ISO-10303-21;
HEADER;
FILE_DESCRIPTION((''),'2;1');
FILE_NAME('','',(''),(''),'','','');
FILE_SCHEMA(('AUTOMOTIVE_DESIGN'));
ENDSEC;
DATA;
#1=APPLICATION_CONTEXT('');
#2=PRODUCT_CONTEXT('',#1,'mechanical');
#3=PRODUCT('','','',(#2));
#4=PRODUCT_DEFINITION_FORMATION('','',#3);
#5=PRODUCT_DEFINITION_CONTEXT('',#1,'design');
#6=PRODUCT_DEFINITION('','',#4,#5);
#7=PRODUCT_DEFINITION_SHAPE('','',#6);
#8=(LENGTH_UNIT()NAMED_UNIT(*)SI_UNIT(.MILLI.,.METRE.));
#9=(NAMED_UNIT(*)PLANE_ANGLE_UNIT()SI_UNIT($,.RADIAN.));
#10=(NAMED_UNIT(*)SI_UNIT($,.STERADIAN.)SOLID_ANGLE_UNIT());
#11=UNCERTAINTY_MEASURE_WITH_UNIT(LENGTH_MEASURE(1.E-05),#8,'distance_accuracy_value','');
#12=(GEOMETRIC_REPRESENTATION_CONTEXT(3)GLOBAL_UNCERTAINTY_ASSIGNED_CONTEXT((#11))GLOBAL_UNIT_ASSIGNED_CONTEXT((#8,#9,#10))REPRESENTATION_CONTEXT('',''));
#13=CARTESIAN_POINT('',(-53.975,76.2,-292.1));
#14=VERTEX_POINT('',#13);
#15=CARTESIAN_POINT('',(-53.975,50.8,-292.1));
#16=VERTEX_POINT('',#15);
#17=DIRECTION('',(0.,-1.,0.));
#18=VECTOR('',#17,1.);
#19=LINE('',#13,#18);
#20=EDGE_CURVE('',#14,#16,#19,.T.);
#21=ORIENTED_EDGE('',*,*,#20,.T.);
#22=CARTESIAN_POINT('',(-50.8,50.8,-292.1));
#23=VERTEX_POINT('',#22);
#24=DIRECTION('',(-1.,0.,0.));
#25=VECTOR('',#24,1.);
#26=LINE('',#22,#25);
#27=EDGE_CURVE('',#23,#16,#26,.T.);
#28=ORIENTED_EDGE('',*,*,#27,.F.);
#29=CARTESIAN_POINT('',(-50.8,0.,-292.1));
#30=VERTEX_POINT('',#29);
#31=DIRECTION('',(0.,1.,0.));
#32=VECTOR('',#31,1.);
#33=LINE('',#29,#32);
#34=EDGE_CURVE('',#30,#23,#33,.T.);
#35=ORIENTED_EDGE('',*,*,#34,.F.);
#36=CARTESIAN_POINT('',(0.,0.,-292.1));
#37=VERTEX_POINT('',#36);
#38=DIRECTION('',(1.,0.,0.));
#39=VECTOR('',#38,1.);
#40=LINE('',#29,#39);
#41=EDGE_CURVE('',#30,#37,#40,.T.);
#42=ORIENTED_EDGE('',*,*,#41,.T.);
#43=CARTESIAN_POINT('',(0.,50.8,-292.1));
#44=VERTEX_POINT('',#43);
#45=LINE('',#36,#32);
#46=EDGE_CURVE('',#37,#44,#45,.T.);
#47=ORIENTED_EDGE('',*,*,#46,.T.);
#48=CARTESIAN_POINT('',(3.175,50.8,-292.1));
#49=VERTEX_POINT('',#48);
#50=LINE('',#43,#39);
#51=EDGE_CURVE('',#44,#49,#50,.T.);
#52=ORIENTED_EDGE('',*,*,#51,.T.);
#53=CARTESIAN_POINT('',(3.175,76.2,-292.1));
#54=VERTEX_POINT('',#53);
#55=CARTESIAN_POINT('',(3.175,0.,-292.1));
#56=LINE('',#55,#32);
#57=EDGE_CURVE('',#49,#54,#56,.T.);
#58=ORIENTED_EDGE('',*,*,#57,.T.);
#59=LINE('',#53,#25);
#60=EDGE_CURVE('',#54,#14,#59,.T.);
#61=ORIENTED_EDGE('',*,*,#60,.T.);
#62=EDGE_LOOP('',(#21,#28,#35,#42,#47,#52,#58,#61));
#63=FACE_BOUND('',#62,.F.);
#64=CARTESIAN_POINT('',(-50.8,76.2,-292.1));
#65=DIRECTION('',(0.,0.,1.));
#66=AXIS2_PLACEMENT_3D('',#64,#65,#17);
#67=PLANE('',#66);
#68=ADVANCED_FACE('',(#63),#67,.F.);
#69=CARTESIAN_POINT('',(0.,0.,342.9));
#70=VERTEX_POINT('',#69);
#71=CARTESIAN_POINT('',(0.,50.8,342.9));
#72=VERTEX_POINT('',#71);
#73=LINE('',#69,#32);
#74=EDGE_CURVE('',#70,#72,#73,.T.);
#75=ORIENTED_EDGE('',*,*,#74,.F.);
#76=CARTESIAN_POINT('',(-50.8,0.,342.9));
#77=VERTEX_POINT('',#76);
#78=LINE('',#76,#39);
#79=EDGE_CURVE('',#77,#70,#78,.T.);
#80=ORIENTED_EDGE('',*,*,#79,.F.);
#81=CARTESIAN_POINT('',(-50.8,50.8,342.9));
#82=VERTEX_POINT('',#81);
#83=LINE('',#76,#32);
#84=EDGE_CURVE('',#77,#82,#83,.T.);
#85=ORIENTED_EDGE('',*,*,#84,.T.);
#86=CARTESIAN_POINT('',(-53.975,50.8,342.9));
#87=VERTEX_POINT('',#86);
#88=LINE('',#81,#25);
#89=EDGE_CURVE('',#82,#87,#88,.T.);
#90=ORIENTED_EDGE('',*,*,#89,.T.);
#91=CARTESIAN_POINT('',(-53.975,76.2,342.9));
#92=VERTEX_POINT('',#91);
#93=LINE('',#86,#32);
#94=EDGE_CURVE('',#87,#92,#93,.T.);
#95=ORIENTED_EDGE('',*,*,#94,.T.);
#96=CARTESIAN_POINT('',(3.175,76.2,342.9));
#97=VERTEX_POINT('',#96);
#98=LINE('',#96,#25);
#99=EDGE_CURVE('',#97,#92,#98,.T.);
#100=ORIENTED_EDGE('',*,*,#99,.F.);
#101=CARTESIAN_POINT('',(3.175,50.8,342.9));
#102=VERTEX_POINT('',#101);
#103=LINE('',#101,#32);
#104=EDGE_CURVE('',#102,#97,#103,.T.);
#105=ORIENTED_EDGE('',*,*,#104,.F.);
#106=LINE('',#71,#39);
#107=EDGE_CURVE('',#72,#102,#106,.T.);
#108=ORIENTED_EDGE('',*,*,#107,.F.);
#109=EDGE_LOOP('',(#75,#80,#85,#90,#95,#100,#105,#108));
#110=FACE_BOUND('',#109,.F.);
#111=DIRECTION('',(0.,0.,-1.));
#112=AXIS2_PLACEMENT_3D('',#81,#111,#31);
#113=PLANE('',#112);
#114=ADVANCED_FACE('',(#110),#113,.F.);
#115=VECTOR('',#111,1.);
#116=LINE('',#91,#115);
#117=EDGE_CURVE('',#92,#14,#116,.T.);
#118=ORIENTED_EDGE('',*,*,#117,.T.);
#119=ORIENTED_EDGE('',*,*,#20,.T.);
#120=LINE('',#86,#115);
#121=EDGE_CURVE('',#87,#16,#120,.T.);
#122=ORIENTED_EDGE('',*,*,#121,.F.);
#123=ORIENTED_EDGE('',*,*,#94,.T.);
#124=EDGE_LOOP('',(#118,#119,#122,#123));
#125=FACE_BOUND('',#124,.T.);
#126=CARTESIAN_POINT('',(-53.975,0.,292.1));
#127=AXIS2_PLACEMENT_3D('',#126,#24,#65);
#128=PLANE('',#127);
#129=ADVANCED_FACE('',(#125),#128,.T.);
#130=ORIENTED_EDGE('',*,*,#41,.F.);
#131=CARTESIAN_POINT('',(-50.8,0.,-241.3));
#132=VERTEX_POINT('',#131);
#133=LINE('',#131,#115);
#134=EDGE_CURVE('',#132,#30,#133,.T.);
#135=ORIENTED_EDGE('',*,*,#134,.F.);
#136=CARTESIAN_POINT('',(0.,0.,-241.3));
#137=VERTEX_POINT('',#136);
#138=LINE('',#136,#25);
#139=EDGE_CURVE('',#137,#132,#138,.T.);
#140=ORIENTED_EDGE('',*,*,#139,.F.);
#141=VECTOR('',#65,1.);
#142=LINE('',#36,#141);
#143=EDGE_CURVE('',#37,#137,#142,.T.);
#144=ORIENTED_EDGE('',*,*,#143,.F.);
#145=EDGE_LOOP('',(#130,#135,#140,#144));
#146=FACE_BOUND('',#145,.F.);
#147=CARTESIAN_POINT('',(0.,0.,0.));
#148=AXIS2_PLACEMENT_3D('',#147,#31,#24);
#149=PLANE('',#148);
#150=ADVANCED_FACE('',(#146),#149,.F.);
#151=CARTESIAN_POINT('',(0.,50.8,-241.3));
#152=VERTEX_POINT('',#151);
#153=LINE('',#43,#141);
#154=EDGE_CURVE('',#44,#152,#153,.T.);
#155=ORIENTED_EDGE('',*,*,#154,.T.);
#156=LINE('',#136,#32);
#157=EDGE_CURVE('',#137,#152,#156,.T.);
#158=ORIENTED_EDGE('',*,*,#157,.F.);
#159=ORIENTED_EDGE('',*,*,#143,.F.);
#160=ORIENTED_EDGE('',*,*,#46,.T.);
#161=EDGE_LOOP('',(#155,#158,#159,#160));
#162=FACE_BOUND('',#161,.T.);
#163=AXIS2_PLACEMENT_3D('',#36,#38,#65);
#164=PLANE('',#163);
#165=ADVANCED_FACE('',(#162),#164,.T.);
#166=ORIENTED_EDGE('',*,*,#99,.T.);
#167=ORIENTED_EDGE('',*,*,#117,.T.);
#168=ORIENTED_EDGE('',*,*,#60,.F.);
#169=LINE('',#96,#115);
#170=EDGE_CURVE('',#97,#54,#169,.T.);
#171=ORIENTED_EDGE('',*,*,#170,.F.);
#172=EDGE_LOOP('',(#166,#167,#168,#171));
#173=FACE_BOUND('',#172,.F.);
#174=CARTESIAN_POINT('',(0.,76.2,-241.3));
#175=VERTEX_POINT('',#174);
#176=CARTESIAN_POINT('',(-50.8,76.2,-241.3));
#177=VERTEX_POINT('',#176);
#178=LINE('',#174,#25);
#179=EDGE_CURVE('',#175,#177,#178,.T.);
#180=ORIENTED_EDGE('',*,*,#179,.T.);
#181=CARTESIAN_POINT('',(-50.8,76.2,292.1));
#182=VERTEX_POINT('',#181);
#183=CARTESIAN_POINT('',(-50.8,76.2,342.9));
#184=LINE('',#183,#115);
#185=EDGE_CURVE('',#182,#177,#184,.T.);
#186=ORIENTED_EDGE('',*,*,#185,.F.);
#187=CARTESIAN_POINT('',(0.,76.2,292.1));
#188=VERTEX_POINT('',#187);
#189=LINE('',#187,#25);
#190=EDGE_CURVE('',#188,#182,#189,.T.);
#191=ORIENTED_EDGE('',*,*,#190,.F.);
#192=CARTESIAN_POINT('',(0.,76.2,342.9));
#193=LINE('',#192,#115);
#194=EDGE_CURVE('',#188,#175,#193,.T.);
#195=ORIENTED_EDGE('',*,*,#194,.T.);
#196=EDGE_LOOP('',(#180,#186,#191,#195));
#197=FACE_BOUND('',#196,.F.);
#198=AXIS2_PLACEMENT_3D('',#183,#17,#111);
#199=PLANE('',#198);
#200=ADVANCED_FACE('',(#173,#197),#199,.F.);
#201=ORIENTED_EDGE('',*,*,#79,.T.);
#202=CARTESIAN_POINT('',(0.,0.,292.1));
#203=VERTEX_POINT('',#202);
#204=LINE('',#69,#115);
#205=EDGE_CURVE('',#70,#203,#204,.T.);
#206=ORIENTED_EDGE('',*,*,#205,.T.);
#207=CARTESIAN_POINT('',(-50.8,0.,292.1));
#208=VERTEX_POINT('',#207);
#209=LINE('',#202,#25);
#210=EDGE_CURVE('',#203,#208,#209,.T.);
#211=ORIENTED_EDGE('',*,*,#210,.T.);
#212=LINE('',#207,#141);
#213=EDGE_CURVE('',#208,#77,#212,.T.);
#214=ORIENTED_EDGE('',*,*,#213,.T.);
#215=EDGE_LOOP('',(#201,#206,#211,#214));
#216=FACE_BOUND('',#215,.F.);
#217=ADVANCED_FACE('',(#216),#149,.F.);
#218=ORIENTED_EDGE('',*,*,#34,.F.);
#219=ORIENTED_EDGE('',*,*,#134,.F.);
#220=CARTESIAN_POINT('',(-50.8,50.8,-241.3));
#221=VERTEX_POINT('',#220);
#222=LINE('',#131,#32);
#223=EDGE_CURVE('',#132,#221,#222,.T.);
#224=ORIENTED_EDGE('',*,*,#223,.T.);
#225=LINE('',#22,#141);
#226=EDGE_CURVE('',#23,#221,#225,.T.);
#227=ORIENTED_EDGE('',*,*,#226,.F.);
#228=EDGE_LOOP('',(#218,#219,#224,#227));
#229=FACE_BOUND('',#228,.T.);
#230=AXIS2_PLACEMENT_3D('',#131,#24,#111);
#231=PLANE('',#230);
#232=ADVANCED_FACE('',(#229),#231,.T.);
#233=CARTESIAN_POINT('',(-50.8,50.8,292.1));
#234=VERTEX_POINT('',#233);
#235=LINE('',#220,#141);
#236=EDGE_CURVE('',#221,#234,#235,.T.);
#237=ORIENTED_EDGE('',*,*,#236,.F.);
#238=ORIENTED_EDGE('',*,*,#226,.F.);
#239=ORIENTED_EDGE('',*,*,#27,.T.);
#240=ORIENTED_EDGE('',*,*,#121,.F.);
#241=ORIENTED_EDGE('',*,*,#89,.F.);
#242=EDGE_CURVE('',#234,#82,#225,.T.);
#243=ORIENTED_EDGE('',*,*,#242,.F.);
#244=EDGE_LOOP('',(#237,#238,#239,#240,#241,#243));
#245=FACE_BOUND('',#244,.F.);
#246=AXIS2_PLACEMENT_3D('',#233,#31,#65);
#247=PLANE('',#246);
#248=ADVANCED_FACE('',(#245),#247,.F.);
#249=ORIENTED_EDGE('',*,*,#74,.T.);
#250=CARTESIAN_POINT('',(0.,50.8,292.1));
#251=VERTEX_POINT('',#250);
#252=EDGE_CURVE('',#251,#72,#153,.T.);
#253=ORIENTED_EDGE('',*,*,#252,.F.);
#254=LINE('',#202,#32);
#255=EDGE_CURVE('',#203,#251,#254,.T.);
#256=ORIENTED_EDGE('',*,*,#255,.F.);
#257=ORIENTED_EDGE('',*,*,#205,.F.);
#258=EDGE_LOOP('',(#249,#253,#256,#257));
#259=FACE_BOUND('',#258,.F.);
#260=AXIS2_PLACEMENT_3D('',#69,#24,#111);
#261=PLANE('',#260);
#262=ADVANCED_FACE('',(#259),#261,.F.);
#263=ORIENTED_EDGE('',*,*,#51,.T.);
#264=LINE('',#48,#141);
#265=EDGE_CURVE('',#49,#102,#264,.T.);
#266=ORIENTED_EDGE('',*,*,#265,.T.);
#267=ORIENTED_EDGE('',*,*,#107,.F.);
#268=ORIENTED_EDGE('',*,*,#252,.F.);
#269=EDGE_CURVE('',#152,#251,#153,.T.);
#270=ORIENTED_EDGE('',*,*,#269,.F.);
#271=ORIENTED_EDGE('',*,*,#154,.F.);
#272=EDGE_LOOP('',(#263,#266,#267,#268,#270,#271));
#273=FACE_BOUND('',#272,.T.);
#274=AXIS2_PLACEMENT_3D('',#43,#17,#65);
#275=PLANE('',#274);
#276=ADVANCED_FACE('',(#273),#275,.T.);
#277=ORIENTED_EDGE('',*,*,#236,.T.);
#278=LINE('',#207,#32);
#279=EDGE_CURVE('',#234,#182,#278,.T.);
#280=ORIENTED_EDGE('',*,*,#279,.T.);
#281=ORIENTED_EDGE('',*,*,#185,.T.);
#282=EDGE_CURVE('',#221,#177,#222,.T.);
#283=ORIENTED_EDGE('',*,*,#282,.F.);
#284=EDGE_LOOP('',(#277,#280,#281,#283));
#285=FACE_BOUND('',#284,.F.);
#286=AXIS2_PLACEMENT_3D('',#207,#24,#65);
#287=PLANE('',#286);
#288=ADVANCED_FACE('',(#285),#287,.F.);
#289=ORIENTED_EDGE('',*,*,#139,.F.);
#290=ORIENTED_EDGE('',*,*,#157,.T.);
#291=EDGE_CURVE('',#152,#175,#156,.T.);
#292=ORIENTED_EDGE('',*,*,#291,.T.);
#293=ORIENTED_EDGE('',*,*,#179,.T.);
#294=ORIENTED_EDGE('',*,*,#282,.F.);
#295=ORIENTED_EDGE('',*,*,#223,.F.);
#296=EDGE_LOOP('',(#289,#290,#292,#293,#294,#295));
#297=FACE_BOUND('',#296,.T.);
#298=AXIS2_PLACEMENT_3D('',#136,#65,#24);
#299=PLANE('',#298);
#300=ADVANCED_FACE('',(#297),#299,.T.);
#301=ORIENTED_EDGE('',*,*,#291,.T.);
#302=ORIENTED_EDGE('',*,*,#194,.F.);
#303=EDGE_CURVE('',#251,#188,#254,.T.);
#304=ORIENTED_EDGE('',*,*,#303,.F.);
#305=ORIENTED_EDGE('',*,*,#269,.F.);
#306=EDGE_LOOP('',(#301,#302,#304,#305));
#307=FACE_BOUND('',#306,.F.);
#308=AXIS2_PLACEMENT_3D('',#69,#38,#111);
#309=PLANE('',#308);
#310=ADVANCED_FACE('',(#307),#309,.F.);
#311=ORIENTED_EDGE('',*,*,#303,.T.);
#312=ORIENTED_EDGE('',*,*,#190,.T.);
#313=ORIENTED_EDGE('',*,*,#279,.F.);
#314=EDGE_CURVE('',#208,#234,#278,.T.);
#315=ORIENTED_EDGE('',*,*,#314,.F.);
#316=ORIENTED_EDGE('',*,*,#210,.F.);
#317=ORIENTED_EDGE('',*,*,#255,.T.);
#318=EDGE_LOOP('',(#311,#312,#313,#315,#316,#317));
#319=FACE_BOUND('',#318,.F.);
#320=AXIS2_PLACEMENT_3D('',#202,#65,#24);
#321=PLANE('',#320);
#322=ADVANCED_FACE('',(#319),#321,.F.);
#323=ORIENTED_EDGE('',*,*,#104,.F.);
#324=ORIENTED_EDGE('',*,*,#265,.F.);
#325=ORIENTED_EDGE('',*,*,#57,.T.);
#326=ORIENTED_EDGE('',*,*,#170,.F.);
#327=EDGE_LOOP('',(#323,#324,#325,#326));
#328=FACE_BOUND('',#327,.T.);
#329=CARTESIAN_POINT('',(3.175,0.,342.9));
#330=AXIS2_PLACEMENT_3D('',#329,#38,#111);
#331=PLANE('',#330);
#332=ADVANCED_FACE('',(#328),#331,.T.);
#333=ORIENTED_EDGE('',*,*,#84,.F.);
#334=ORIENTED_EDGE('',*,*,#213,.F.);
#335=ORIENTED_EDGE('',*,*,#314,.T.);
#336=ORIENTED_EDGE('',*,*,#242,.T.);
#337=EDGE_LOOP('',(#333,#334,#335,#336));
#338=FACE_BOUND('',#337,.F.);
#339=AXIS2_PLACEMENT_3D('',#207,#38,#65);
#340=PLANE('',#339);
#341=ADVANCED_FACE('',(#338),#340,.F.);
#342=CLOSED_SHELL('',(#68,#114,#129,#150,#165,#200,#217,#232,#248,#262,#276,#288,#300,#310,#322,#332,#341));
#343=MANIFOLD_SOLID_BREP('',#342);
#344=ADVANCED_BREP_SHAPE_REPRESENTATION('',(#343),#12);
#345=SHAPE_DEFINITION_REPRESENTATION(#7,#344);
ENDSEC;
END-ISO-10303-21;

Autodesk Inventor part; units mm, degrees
ref_plane "YZ Plane" through (0, 0, 0) normal (1, 0, 0) x (0, 1, 0)
ref_plane "XZ Plane" through (0, 0, 0) normal (0, 1, 0) x (-1, 0, 0)
ref_plane "XY Plane" through (0, 0, 0) normal (0, 0, 1) x (1, 0, 0)
sketch "Sketch1" plane through (0, 0, 0) normal (0, 1, 0) x (-1, 0, 0)
  line L0 (50.8, 342.9) -> (0, 342.9)
  line L1 (0, 342.9) -> (0, 292.1)
  line L2 (0, 292.1) -> (50.8, 292.1)
  line L3 (50.8, 292.1) -> (50.8, 342.9)
  line L4 (50.8, -292.1) -> (0, -292.1)
  line L5 (0, -292.1) -> (0, -241.3)
  line L6 (0, -241.3) -> (50.8, -241.3)
  line L7 (50.8, -241.3) -> (50.8, -292.1)
  line L8 (0, 0) -> (-42.6013, 0)
  dimension "d0" = 50.8
  dimension "d10" = 533.4
extrude "Extrusion1" add sketch "Sketch1" along normal blind 76.2
sketch "Sketch2" plane through (0, 0, 342.9) normal (1, 0, 0) x (0, 0, -1)
  line L0 (0, 76.2) -> (50.8, 76.2) projected
  line L1 (635, 0) -> (635, 76.2) projected
  line L2 (0, 76.2) -> (635, 76.2)
  line L3 (635, 76.2) -> (635, 50.8)
  line L4 (635, 50.8) -> (0, 50.8)
  line L5 (0, 50.8) -> (0, 76.2)
  point P0 (342.9, 0)
  dimension "d4" = 25.4
extrude "Extrusion2" add sketch "Sketch2" along normal blind 3.175
sketch "Sketch3" plane through (-50.8, 0, 292.1) normal (-1, 0, 0) x (0, 0, 1)
  line L0 (50.8, 76.2) -> (-584.2, 76.2)
  line L1 (-584.2, 76.2) -> (-584.2, 50.8)
  line L2 (-584.2, 50.8) -> (50.8, 50.8)
  line L3 (50.8, 50.8) -> (50.8, 76.2)
  line L4 (-533.4, 50.8) -> (0, 50.8) projected
  point P0 (-292.1, 0)
  dimension "d11" = 635
extrude "Extrusion3" add sketch "Sketch3" along normal blind 3.175
properties part number "crossbeam"
